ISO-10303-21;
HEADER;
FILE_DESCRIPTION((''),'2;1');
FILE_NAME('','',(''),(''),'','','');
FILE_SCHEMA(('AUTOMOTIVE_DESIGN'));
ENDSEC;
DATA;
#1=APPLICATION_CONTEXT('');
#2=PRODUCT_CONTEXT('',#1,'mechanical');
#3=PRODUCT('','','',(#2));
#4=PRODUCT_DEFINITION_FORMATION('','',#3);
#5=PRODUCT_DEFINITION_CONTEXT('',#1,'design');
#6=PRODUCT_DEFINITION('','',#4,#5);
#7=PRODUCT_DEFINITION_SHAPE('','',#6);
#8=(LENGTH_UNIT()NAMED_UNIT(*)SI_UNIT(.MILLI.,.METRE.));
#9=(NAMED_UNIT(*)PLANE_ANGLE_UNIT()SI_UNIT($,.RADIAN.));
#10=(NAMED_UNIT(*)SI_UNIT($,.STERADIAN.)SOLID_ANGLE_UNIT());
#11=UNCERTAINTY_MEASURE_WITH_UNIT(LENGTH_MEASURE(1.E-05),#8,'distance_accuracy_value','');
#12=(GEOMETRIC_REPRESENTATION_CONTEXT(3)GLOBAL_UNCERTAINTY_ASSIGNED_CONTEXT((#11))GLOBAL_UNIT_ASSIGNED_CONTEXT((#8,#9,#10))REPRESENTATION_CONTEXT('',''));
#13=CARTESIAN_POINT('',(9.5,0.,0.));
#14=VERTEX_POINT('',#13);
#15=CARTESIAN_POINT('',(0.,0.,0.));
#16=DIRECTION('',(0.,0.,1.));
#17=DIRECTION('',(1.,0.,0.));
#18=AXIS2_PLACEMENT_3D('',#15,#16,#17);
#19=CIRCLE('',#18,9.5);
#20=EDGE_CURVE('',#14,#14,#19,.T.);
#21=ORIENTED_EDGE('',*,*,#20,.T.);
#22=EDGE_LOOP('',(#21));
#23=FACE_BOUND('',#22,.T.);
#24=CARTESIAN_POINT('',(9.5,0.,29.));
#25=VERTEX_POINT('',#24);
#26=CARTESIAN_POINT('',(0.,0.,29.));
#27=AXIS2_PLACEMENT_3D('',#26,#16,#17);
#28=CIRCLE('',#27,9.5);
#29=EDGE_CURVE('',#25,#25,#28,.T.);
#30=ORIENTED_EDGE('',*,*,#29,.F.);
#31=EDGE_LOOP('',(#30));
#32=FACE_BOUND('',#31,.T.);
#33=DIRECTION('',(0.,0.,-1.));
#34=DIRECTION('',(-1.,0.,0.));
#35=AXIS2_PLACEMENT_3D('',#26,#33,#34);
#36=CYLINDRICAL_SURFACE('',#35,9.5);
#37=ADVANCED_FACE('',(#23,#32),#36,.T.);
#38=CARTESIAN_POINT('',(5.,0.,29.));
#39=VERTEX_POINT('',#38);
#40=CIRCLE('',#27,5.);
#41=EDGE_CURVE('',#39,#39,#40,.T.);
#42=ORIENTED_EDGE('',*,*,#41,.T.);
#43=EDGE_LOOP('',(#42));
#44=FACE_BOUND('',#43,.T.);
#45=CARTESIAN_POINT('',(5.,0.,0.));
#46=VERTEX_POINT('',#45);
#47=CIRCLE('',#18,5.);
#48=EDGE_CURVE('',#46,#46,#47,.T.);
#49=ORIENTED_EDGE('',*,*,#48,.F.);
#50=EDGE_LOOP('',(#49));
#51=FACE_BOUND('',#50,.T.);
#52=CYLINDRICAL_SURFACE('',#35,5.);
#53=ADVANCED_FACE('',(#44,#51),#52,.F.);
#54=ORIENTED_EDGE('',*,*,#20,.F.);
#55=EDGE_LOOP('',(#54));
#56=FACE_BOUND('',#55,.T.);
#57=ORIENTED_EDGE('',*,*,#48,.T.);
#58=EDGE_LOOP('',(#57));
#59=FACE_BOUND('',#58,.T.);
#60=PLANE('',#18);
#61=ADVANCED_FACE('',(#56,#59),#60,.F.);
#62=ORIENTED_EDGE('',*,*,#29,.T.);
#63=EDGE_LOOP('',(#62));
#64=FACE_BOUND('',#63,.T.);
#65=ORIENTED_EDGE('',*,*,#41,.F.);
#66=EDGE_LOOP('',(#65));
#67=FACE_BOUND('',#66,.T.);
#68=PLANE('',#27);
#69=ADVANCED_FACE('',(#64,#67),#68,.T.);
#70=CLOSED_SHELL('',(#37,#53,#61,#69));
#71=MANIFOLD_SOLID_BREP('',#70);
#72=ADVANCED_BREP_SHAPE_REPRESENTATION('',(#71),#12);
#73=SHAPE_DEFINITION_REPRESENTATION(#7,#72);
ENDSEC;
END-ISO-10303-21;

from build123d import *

# Parameters (mm, degrees)
SKETCH1_R           = 9.5
SKETCH1_R_2         = 5
BOSS_EXTRUDE1_DEPTH = 29


with BuildPart() as part:
    # Sketch1 → Boss-Extrude1 (new body)
    with BuildSketch(Plane.XY):
        Circle(SKETCH1_R)
        Circle(SKETCH1_R_2, mode=Mode.SUBTRACT)
    extrude(amount=BOSS_EXTRUDE1_DEPTH)


solid = part.part
